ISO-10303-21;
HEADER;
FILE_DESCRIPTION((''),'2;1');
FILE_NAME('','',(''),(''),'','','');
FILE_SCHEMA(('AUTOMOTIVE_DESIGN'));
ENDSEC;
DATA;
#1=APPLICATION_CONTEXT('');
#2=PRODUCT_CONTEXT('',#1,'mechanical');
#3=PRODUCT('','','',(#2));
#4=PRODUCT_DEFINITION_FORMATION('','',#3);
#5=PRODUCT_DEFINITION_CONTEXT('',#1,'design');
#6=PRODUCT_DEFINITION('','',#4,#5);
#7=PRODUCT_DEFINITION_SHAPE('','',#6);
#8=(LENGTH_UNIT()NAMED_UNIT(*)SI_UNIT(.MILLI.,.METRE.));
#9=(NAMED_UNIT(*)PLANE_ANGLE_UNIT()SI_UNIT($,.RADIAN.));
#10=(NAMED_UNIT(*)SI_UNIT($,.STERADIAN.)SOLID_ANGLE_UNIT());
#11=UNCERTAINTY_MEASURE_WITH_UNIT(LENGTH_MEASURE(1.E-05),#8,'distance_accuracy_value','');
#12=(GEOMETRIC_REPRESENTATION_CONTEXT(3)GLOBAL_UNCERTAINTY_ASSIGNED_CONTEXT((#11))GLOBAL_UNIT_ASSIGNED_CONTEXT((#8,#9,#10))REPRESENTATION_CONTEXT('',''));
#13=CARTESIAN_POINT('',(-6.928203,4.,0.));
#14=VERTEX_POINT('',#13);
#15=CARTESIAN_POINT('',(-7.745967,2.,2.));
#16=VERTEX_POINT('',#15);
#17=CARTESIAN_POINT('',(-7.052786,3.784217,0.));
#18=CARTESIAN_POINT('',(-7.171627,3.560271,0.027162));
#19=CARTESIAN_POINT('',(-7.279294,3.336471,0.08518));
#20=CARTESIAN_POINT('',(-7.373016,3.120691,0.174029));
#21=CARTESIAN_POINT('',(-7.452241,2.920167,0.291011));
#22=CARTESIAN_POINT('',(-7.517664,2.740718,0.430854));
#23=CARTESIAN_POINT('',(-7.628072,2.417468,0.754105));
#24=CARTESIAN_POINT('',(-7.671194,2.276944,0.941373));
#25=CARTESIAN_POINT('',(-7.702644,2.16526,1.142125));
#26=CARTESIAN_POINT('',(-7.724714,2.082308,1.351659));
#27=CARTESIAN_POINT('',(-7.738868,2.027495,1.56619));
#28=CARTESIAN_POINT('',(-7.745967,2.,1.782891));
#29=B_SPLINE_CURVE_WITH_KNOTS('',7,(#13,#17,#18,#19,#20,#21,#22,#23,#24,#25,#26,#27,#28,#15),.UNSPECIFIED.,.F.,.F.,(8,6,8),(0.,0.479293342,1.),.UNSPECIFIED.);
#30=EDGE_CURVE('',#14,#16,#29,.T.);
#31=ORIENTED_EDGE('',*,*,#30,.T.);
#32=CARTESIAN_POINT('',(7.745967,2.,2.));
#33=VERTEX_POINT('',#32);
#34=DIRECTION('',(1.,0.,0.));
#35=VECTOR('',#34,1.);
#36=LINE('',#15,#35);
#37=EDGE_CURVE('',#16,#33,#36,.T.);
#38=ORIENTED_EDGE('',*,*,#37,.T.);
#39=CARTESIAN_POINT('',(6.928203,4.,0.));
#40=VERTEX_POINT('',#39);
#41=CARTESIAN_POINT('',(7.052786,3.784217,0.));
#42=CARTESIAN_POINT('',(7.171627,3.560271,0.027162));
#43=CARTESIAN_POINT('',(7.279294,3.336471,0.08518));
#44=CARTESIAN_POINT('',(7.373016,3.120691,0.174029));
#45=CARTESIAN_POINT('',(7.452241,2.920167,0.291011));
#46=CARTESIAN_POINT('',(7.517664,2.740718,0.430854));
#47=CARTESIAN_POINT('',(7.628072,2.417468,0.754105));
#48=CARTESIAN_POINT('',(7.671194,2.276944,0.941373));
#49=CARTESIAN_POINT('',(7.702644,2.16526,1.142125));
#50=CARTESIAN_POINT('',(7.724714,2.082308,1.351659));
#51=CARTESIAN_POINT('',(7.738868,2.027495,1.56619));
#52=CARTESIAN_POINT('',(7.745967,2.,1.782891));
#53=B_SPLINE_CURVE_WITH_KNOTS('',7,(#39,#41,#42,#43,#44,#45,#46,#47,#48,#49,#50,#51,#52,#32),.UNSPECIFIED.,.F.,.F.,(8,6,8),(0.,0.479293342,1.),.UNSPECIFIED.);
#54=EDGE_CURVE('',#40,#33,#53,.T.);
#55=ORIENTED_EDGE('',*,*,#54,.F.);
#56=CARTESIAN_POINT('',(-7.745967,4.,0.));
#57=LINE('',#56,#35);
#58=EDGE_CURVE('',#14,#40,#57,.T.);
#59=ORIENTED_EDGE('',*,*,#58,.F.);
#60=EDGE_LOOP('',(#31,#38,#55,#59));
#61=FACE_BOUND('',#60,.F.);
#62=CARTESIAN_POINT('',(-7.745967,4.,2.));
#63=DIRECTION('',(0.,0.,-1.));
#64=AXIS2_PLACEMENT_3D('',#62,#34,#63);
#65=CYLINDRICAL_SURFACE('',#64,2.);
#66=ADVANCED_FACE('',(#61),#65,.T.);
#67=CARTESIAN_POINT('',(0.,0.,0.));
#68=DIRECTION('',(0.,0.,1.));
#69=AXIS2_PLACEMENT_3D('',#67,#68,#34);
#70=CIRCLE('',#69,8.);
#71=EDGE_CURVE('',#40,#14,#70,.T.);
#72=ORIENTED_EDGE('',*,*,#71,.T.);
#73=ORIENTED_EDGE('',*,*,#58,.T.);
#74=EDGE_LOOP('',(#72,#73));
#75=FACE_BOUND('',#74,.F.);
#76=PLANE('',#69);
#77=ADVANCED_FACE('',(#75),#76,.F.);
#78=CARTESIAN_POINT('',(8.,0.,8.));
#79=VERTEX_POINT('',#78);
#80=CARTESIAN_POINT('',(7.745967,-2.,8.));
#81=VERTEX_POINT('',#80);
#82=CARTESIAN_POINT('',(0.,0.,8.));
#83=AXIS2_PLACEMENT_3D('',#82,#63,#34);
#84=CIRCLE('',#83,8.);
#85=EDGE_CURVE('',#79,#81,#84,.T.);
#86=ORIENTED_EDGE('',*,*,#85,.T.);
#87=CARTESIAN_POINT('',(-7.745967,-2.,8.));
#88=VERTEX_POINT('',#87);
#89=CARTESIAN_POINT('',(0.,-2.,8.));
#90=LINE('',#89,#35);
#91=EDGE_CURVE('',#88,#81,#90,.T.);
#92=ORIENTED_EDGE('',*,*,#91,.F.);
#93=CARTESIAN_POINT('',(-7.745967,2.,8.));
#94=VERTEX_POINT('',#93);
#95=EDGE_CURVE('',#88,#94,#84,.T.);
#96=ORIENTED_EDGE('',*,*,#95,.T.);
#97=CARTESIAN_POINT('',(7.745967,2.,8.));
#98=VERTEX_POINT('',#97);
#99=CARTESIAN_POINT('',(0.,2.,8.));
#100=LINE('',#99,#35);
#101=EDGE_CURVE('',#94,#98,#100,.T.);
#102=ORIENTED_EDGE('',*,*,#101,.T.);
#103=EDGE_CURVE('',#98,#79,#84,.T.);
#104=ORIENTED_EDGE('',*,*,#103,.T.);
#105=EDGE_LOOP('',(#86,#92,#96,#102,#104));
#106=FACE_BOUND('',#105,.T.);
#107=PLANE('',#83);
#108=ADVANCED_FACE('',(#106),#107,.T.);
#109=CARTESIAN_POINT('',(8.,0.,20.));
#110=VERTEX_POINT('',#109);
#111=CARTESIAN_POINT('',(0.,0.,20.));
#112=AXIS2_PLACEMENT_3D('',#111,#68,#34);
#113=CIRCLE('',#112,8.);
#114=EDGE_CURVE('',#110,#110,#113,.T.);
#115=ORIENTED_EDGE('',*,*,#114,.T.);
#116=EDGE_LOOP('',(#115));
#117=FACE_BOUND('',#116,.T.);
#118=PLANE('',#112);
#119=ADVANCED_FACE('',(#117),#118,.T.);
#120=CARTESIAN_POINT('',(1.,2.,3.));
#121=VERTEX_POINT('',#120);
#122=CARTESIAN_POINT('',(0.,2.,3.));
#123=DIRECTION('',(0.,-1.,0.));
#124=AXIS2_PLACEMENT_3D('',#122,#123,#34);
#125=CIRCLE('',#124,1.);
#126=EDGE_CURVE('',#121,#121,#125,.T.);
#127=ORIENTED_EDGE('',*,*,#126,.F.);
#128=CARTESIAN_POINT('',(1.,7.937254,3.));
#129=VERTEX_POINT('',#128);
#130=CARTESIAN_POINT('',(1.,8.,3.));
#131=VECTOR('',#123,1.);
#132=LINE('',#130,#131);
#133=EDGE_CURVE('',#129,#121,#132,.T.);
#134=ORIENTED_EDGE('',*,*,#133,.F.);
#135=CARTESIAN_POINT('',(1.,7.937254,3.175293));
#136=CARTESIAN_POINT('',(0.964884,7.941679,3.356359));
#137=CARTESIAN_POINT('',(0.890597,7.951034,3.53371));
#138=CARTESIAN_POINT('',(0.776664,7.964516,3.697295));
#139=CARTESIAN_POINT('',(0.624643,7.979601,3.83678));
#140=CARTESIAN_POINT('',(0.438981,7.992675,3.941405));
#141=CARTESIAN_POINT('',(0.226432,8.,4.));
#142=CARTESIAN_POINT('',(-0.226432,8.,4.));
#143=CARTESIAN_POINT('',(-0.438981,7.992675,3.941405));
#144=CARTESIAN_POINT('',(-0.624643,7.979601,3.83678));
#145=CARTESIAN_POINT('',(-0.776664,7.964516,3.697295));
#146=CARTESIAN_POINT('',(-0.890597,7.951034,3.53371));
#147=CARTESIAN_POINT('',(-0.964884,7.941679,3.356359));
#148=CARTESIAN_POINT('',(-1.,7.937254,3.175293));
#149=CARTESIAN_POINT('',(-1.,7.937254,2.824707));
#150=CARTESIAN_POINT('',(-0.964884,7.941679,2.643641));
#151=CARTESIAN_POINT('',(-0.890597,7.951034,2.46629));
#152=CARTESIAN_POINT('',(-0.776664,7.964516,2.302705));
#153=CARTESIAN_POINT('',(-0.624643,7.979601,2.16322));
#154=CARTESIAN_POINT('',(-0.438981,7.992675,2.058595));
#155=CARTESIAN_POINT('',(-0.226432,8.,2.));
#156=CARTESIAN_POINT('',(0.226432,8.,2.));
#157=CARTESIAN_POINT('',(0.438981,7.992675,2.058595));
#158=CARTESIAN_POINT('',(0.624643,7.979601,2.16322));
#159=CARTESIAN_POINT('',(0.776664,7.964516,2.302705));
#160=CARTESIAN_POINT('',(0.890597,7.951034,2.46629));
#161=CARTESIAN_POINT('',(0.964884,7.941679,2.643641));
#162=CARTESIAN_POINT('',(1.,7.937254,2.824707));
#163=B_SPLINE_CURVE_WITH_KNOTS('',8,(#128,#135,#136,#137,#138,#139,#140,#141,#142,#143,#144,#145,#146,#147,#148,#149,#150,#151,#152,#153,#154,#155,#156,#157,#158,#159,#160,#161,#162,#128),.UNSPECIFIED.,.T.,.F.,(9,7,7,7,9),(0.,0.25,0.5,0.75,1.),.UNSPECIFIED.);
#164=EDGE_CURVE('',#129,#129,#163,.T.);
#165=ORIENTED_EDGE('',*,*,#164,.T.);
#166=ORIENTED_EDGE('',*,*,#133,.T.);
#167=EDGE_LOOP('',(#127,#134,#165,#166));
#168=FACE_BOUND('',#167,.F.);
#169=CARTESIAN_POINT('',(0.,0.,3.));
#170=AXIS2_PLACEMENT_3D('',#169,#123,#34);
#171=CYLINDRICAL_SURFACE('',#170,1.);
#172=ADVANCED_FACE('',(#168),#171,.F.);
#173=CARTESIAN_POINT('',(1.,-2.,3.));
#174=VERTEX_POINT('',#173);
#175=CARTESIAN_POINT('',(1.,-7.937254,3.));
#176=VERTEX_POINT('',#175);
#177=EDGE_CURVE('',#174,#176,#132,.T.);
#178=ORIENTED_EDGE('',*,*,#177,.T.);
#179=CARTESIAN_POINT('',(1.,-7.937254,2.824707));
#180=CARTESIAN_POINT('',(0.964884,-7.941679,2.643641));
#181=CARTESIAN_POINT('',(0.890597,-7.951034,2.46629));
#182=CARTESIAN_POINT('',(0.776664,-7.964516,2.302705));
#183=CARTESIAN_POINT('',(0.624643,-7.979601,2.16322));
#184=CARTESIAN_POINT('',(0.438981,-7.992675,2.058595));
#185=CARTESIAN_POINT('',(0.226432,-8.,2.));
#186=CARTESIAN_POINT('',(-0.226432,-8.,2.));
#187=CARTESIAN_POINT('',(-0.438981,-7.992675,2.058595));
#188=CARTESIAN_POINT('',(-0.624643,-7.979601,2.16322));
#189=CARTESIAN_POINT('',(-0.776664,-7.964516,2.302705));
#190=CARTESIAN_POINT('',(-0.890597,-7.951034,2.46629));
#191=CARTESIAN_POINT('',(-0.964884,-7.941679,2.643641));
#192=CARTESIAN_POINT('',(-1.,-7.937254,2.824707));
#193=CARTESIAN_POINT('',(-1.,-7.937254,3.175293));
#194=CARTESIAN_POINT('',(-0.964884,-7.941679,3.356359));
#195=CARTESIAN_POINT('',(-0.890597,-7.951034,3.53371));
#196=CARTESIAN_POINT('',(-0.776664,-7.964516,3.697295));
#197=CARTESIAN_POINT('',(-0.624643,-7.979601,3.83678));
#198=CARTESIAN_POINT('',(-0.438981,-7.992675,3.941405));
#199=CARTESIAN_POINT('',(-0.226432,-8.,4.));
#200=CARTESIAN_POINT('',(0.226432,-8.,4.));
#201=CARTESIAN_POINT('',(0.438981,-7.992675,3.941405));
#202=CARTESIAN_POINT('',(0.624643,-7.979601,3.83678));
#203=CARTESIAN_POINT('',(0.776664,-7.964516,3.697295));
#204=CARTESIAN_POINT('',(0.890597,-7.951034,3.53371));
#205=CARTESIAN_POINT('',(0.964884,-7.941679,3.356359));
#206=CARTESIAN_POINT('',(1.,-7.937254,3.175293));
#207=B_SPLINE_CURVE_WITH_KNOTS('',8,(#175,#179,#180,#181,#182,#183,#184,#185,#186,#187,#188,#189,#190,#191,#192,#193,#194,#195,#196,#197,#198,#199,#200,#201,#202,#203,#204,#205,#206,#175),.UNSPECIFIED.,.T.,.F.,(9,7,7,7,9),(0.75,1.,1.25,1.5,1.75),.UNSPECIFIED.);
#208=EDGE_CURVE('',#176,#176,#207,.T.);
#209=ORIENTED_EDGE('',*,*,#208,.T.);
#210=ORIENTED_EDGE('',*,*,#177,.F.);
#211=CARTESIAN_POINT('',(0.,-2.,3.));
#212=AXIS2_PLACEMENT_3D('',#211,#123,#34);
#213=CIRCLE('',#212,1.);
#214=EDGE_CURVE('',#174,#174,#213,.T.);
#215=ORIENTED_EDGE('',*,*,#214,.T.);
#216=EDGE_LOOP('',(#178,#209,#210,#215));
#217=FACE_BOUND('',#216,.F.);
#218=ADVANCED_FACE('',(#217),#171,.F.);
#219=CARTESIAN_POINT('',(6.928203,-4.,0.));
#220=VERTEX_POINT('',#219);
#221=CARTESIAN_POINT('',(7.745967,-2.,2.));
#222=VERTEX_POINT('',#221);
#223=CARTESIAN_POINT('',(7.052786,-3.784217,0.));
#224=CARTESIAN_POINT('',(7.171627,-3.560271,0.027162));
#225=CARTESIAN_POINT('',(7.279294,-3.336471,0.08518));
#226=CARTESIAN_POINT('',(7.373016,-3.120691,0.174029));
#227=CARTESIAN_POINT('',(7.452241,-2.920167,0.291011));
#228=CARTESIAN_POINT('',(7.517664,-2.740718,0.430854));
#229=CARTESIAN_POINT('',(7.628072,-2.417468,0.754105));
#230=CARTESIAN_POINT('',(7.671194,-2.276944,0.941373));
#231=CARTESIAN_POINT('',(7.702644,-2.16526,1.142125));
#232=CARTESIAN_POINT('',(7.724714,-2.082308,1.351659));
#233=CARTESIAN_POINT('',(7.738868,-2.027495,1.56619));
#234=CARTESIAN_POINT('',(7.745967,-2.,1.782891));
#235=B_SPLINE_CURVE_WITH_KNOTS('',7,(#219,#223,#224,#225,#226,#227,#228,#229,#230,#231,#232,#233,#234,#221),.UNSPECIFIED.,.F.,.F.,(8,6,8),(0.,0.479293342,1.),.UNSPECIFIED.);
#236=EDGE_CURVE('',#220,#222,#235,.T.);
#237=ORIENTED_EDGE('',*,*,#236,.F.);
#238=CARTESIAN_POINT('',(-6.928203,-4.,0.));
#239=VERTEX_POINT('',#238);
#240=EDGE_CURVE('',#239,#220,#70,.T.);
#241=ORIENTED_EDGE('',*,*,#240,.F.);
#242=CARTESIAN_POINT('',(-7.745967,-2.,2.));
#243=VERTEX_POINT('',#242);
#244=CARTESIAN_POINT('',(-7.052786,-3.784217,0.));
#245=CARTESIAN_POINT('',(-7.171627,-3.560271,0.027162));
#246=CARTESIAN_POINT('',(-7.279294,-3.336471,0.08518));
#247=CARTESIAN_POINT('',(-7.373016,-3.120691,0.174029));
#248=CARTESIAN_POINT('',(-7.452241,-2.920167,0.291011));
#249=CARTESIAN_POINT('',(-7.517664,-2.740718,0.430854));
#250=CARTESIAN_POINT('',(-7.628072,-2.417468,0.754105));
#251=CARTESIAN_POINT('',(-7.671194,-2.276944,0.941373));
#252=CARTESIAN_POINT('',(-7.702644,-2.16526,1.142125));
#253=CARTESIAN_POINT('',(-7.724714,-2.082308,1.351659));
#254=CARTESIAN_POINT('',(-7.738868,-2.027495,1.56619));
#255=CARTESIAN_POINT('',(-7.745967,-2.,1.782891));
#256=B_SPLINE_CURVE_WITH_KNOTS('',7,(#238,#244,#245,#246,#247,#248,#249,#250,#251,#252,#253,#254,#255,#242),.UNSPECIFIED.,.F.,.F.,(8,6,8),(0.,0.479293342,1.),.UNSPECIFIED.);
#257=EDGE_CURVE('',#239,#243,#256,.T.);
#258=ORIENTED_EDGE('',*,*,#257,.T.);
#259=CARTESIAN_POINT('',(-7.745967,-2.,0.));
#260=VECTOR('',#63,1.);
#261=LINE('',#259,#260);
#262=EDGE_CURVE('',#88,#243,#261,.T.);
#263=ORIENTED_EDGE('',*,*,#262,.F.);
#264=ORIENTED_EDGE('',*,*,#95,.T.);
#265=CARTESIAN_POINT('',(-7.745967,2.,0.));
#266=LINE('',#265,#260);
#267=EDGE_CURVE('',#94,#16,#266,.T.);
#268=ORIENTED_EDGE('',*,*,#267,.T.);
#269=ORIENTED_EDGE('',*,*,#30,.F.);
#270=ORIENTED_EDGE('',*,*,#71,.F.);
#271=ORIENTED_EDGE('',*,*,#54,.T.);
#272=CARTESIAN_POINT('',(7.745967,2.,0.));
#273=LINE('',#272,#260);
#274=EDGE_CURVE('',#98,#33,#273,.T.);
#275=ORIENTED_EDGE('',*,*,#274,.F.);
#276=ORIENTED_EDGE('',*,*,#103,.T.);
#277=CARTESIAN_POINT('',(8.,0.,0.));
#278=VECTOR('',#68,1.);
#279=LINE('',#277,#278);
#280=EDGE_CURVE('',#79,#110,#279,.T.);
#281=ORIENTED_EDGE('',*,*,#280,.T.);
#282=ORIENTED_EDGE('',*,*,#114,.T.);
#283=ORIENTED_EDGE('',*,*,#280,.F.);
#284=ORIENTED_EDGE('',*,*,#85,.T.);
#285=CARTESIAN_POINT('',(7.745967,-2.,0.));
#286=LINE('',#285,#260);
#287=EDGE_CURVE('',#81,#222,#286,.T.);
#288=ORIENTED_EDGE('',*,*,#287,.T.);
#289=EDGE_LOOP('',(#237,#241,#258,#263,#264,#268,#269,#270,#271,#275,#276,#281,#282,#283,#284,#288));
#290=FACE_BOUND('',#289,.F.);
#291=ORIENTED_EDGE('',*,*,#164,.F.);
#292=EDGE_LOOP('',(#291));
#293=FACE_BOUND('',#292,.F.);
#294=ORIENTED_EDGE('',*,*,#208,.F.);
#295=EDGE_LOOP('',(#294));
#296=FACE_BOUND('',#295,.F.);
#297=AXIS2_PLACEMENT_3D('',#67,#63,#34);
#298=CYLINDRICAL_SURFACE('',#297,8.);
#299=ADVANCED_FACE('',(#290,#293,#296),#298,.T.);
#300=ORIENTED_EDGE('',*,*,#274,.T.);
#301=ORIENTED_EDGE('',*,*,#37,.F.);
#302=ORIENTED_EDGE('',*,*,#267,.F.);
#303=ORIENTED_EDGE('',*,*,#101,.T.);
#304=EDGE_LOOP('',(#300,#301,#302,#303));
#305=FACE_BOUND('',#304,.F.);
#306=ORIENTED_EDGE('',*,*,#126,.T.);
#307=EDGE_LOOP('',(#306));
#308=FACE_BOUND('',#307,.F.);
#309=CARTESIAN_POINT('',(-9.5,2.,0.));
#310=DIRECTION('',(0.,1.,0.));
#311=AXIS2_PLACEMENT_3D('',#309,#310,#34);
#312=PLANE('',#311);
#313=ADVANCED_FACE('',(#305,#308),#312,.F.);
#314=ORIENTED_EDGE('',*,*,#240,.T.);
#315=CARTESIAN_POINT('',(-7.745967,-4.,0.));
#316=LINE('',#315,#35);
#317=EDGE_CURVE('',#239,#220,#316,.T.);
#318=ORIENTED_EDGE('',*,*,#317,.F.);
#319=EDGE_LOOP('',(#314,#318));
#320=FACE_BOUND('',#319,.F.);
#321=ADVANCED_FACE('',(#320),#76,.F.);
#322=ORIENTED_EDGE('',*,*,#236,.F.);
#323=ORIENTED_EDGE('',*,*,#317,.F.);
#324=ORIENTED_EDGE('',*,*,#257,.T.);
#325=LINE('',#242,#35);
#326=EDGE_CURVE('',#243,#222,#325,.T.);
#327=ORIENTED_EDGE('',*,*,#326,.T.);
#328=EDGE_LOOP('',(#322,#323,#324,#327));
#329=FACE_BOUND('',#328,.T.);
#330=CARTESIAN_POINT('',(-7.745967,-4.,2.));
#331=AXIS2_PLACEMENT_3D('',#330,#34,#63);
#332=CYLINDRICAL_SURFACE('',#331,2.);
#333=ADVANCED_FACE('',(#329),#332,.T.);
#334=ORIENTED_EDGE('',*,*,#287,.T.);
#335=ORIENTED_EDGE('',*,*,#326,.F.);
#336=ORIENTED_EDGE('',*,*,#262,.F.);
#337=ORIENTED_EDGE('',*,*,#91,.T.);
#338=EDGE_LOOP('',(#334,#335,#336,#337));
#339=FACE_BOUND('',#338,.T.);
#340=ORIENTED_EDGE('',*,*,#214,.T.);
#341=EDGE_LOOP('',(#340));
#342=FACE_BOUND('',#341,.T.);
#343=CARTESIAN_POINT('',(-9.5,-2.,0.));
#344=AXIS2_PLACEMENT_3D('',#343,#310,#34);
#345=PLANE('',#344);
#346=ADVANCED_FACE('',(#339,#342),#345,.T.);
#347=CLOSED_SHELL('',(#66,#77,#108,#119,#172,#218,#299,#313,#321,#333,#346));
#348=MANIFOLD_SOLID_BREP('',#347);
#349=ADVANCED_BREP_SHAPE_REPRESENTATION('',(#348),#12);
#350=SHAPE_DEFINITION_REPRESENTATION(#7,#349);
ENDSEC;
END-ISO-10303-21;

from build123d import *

# Parameters (mm, degrees)
F0_R     = 8
F1_DEPTH = 20
F2_W     = 19
F2_H     = 4
F3_DEPTH = 8
F4_R     = 1
F5_DEPTH = 8
F6_R     = 2


with BuildPart() as f1:
    # F0 (on Top) → F1 (new body)
    with BuildSketch(Plane.XY):
        Circle(F0_R)
    extrude(amount=F1_DEPTH)

    # F2 (on face) → F3 (cut)
    with BuildSketch(Plane(origin=(0, 0, 0), x_dir=(1, 0, 0), z_dir=(0, 0, -1))):
        Rectangle(F2_W, F2_H)
    extrude(amount=-F3_DEPTH, mode=Mode.SUBTRACT)

    # F4 (on Front) → F5 (cut, symmetric)
    with BuildSketch(Plane.XZ):
        with Locations((0, 3)):
            Circle(F4_R)
    extrude(amount=F5_DEPTH, both=True, mode=Mode.SUBTRACT)

    # F6
    f6_edges = [f1.edges().sort_by_distance(p)[0] for p in [
        (0, -2, 0),
        (0, 2, 0),
    ]]
    fillet(f6_edges, radius=F6_R)


solid = f1.part
